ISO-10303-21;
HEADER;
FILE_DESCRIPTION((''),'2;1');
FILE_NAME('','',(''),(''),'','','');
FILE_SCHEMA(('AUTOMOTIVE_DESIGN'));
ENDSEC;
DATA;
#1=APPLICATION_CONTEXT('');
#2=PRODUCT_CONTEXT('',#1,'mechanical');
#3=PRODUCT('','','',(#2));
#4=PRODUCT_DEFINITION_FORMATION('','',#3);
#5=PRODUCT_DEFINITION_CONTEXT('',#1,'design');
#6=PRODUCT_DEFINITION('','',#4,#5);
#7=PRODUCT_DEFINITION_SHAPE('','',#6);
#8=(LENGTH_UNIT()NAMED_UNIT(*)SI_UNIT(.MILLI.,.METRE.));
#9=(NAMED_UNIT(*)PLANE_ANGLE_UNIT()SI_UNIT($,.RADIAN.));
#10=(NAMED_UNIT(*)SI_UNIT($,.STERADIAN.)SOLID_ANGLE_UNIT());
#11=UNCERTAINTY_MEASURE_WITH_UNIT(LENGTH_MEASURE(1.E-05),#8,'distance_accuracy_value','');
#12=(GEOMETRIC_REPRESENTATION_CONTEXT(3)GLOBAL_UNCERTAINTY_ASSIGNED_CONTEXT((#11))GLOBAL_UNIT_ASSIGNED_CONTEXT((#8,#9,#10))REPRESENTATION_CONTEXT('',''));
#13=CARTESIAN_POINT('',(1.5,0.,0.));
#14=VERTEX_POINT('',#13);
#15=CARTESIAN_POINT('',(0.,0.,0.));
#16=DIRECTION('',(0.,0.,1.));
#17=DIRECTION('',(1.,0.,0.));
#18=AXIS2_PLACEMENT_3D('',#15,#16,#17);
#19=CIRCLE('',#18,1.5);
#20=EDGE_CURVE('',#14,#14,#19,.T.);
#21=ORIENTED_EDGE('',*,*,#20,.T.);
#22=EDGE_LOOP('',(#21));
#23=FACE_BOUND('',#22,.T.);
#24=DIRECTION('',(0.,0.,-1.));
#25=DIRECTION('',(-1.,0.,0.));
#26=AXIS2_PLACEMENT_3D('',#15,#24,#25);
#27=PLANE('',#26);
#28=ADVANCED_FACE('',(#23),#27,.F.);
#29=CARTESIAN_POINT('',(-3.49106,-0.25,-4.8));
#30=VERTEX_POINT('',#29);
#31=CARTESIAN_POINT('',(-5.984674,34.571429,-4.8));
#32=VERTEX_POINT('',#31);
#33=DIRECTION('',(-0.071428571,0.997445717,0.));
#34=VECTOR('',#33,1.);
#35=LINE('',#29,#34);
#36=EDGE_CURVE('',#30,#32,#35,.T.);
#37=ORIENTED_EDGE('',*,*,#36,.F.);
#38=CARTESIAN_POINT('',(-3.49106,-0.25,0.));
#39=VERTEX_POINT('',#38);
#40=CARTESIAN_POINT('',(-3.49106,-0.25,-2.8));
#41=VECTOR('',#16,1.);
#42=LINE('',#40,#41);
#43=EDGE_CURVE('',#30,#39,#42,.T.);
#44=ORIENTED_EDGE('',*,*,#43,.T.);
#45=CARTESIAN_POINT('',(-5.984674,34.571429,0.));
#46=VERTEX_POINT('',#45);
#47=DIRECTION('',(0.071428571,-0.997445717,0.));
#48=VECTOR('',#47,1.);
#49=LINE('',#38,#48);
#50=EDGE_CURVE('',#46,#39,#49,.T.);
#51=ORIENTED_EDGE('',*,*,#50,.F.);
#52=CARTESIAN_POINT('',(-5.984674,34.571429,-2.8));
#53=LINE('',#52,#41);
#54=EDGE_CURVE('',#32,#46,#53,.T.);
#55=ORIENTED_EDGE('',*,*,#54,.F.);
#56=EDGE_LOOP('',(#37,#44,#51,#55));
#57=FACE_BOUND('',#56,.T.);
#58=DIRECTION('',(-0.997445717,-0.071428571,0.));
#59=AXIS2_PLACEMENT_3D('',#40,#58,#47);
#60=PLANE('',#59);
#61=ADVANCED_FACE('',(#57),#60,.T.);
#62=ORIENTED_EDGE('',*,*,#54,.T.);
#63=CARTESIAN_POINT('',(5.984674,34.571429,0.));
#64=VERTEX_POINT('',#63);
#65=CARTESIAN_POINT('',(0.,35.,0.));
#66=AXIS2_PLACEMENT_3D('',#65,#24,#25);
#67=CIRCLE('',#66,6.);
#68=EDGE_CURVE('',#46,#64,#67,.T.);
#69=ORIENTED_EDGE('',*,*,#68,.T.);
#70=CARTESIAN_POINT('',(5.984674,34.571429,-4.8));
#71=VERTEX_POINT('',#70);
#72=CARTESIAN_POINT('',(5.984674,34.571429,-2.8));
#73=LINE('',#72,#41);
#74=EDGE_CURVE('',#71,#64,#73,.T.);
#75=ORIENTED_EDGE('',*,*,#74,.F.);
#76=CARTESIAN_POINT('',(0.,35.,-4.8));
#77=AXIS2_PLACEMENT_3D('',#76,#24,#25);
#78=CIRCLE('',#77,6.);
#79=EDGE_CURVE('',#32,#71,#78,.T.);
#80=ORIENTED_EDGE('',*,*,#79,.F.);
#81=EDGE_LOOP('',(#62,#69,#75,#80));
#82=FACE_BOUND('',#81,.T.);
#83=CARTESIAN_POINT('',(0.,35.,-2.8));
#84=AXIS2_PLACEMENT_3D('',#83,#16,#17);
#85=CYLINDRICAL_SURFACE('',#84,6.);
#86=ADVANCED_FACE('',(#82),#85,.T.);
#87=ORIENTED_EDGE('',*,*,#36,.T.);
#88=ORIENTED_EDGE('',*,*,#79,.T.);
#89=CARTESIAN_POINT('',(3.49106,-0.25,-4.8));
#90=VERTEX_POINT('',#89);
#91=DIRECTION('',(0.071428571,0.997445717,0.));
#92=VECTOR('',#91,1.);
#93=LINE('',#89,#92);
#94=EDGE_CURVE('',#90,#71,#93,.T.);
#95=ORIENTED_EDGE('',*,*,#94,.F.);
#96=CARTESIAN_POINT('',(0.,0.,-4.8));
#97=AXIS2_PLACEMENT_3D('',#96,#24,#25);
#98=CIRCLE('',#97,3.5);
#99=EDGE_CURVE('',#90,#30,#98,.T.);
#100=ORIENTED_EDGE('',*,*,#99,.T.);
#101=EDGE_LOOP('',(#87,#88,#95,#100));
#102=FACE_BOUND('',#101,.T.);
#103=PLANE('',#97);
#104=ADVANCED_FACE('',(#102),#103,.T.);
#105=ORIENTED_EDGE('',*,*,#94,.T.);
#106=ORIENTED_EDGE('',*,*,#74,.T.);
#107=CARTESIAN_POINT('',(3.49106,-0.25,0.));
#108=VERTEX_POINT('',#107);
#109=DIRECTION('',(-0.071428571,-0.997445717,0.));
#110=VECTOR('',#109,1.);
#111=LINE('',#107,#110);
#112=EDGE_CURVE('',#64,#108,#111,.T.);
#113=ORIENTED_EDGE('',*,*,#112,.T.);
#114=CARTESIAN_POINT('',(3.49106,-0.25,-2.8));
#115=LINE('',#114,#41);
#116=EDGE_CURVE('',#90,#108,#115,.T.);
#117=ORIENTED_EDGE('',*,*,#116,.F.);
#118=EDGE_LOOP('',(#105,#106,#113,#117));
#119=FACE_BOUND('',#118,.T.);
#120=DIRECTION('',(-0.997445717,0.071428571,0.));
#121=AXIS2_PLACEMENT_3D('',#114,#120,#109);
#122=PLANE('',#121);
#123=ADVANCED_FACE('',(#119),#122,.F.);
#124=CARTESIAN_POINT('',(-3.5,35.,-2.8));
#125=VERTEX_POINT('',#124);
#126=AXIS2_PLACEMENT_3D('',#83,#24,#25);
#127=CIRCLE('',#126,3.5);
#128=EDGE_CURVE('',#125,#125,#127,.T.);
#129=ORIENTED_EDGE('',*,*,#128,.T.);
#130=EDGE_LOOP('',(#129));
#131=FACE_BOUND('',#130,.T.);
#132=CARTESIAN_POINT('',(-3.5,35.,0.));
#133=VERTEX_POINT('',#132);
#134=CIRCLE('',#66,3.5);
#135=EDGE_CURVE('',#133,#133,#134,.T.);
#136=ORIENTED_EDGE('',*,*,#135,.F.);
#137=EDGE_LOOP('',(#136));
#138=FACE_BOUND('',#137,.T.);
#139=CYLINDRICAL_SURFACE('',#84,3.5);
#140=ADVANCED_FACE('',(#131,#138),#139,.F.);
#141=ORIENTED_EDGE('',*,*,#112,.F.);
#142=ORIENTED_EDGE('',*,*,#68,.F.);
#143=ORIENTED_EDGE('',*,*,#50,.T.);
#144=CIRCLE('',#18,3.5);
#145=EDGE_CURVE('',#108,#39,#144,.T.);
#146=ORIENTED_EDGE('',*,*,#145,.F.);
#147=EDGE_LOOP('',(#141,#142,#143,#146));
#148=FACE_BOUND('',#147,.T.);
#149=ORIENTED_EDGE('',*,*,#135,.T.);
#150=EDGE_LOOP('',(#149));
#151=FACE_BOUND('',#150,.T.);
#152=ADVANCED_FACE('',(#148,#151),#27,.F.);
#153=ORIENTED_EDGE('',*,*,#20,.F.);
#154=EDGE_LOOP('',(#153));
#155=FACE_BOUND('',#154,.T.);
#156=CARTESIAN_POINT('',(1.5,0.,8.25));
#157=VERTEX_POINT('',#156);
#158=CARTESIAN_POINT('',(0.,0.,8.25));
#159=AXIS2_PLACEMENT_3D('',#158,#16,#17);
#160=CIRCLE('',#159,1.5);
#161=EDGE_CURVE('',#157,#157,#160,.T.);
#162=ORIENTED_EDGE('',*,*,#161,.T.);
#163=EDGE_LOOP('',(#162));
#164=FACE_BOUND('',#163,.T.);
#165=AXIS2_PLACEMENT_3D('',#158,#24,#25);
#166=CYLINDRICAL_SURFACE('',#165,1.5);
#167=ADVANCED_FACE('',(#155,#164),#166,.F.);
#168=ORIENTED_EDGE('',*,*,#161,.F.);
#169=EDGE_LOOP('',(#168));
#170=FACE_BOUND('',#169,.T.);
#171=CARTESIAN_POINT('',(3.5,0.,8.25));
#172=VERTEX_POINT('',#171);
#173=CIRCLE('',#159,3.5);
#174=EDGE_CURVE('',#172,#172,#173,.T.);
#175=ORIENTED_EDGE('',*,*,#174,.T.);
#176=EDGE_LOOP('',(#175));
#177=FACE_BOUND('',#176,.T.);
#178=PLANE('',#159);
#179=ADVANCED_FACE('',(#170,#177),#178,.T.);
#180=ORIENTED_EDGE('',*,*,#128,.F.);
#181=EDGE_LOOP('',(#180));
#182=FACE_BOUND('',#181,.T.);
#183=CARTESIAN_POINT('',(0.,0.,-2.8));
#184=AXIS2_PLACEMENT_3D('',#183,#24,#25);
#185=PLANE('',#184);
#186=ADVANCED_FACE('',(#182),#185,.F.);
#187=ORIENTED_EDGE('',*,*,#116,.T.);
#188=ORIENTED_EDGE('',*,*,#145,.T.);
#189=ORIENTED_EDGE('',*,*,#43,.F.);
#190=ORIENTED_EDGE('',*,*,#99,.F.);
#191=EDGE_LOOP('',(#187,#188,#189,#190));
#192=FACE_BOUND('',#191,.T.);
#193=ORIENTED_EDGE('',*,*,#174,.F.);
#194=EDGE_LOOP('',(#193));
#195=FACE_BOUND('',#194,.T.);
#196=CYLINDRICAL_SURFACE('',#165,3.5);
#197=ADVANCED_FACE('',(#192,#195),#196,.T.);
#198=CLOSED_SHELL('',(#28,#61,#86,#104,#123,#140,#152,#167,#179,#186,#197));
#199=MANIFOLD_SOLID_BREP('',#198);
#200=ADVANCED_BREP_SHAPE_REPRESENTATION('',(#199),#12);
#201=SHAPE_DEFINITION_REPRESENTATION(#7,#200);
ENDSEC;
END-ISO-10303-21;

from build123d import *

# Parameters (mm, degrees)
SKETCH1_R           = 3.5
SKETCH1_R_2         = 1.5
BOSS_EXTRUDE1_DEPTH = 8.25
BOSS_EXTRUDE2_START = 2.8
SKETCH2_R           = 6
SKETCH2_R_2         = 3.5
SKETCH2_R_3         = 1.5
BOSS_EXTRUDE2_DEPTH = 2.8
BOSS_EXTRUDE3_START = 4.8
SKETCH2_3_R         = 6
SKETCH2_3_R_2       = 3.5
SKETCH2_3_R_3       = 1.5
BOSS_EXTRUDE3_DEPTH = 2


with BuildPart() as part:
    # Sketch1 → Boss-Extrude1 (new body)
    with BuildSketch(Plane.XY):
        Circle(SKETCH1_R)
        Circle(SKETCH1_R_2, mode=Mode.SUBTRACT)
    extrude(amount=BOSS_EXTRUDE1_DEPTH)

    # Sketch2 → Boss-Extrude2 (add)
    # profile 1 of 4: a face of its own
    with BuildSketch(Plane(origin=(0, 0, 0), x_dir=(-1, 0, 0), z_dir=(0, 0, -1)).offset(BOSS_EXTRUDE2_START)):
        with BuildLine():
            ThreePointArc((5.984674304, 34.571428571), (0, 29), (-5.984674304, 34.571428571))
            Line((-5.984674304, 34.571428571), (-3.491060011, -0.25))
            ThreePointArc((-3.491060011, -0.25), (-0.125079898, 3.497764289), (3.5, 0))
            ThreePointArc((3.5, 0), (3.497764289, -0.125079898), (3.491060011, -0.25))
            Line((3.491060011, -0.25), (5.984674304, 34.571428571))
        make_face()
    # profile 2 of 4: a face of its own
    with BuildSketch(Plane(origin=(0, 0, 0), x_dir=(-1, 0, 0), z_dir=(0, 0, -1)).offset(BOSS_EXTRUDE2_START)):
        with Locations((0, 35)):
            Circle(SKETCH2_R)
        with Locations((0, 35)):
            Circle(SKETCH2_R_2, mode=Mode.SUBTRACT)
    # profile 3 of 4: a face of its own
    with BuildSketch(Plane(origin=(0, 0, 0), x_dir=(-1, 0, 0), z_dir=(0, 0, -1)).offset(BOSS_EXTRUDE2_START)):
        with Locations(Location((0, 0, 0), (0, 0, 355.903956242))):
            Circle(SKETCH2_R_2)
        with Locations(Location((0, 0, 0), (0, 0, 180))):
            Circle(SKETCH2_R_3, mode=Mode.SUBTRACT)
    # profile 4 of 4: a face of its own
    with BuildSketch(Plane(origin=(0, 0, 0), x_dir=(-1, 0, 0), z_dir=(0, 0, -1)).offset(BOSS_EXTRUDE2_START)):
        with Locations(Location((0, 0, 0), (0, 0, 180))):
            Circle(SKETCH2_R_3)
    extrude(amount=-BOSS_EXTRUDE2_DEPTH)

    # Sketch2<3> → Boss-Extrude3 (add)
    # profile 1 of 5: a face of its own
    with BuildSketch(Plane(origin=(0, 0, 0), x_dir=(-1, 0, 0), z_dir=(0, 0, -1)).offset(BOSS_EXTRUDE3_START)):
        with Locations((0, 35)):
            Circle(SKETCH2_3_R)
        with Locations((0, 35)):
            Circle(SKETCH2_3_R_2, mode=Mode.SUBTRACT)
    # profile 2 of 5: a face of its own
    with BuildSketch(Plane(origin=(0, 0, 0), x_dir=(-1, 0, 0), z_dir=(0, 0, -1)).offset(BOSS_EXTRUDE3_START)):
        with BuildLine():
            ThreePointArc((5.984674304, 34.571428571), (0, 29), (-5.984674304, 34.571428571))
            Line((-5.984674304, 34.571428571), (-3.491060011, -0.25))
            ThreePointArc((-3.491060011, -0.25), (-0.125079898, 3.497764289), (3.5, 0))
            ThreePointArc((3.5, 0), (3.497764289, -0.125079898), (3.491060011, -0.25))
            Line((3.491060011, -0.25), (5.984674304, 34.571428571))
        make_face()
    # profile 3 of 5: a face of its own
    with BuildSketch(Plane(origin=(0, 0, 0), x_dir=(-1, 0, 0), z_dir=(0, 0, -1)).offset(BOSS_EXTRUDE3_START)):
        with Locations(Location((0, 0, 0), (0, 0, 355.903956242))):
            Circle(SKETCH2_3_R_2)
        with Locations(Location((0, 0, 0), (0, 0, 180))):
            Circle(SKETCH2_3_R_3, mode=Mode.SUBTRACT)
    # profile 4 of 5: a face of its own
    with BuildSketch(Plane(origin=(0, 0, 0), x_dir=(-1, 0, 0), z_dir=(0, 0, -1)).offset(BOSS_EXTRUDE3_START)):
        with Locations((0, 35)):
            Circle(SKETCH2_3_R_2)
    # profile 5 of 5: a face of its own
    with BuildSketch(Plane(origin=(0, 0, 0), x_dir=(-1, 0, 0), z_dir=(0, 0, -1)).offset(BOSS_EXTRUDE3_START)):
        with Locations(Location((0, 0, 0), (0, 0, 180))):
            Circle(SKETCH2_3_R_3)
    extrude(amount=-BOSS_EXTRUDE3_DEPTH)


solid = part.part
